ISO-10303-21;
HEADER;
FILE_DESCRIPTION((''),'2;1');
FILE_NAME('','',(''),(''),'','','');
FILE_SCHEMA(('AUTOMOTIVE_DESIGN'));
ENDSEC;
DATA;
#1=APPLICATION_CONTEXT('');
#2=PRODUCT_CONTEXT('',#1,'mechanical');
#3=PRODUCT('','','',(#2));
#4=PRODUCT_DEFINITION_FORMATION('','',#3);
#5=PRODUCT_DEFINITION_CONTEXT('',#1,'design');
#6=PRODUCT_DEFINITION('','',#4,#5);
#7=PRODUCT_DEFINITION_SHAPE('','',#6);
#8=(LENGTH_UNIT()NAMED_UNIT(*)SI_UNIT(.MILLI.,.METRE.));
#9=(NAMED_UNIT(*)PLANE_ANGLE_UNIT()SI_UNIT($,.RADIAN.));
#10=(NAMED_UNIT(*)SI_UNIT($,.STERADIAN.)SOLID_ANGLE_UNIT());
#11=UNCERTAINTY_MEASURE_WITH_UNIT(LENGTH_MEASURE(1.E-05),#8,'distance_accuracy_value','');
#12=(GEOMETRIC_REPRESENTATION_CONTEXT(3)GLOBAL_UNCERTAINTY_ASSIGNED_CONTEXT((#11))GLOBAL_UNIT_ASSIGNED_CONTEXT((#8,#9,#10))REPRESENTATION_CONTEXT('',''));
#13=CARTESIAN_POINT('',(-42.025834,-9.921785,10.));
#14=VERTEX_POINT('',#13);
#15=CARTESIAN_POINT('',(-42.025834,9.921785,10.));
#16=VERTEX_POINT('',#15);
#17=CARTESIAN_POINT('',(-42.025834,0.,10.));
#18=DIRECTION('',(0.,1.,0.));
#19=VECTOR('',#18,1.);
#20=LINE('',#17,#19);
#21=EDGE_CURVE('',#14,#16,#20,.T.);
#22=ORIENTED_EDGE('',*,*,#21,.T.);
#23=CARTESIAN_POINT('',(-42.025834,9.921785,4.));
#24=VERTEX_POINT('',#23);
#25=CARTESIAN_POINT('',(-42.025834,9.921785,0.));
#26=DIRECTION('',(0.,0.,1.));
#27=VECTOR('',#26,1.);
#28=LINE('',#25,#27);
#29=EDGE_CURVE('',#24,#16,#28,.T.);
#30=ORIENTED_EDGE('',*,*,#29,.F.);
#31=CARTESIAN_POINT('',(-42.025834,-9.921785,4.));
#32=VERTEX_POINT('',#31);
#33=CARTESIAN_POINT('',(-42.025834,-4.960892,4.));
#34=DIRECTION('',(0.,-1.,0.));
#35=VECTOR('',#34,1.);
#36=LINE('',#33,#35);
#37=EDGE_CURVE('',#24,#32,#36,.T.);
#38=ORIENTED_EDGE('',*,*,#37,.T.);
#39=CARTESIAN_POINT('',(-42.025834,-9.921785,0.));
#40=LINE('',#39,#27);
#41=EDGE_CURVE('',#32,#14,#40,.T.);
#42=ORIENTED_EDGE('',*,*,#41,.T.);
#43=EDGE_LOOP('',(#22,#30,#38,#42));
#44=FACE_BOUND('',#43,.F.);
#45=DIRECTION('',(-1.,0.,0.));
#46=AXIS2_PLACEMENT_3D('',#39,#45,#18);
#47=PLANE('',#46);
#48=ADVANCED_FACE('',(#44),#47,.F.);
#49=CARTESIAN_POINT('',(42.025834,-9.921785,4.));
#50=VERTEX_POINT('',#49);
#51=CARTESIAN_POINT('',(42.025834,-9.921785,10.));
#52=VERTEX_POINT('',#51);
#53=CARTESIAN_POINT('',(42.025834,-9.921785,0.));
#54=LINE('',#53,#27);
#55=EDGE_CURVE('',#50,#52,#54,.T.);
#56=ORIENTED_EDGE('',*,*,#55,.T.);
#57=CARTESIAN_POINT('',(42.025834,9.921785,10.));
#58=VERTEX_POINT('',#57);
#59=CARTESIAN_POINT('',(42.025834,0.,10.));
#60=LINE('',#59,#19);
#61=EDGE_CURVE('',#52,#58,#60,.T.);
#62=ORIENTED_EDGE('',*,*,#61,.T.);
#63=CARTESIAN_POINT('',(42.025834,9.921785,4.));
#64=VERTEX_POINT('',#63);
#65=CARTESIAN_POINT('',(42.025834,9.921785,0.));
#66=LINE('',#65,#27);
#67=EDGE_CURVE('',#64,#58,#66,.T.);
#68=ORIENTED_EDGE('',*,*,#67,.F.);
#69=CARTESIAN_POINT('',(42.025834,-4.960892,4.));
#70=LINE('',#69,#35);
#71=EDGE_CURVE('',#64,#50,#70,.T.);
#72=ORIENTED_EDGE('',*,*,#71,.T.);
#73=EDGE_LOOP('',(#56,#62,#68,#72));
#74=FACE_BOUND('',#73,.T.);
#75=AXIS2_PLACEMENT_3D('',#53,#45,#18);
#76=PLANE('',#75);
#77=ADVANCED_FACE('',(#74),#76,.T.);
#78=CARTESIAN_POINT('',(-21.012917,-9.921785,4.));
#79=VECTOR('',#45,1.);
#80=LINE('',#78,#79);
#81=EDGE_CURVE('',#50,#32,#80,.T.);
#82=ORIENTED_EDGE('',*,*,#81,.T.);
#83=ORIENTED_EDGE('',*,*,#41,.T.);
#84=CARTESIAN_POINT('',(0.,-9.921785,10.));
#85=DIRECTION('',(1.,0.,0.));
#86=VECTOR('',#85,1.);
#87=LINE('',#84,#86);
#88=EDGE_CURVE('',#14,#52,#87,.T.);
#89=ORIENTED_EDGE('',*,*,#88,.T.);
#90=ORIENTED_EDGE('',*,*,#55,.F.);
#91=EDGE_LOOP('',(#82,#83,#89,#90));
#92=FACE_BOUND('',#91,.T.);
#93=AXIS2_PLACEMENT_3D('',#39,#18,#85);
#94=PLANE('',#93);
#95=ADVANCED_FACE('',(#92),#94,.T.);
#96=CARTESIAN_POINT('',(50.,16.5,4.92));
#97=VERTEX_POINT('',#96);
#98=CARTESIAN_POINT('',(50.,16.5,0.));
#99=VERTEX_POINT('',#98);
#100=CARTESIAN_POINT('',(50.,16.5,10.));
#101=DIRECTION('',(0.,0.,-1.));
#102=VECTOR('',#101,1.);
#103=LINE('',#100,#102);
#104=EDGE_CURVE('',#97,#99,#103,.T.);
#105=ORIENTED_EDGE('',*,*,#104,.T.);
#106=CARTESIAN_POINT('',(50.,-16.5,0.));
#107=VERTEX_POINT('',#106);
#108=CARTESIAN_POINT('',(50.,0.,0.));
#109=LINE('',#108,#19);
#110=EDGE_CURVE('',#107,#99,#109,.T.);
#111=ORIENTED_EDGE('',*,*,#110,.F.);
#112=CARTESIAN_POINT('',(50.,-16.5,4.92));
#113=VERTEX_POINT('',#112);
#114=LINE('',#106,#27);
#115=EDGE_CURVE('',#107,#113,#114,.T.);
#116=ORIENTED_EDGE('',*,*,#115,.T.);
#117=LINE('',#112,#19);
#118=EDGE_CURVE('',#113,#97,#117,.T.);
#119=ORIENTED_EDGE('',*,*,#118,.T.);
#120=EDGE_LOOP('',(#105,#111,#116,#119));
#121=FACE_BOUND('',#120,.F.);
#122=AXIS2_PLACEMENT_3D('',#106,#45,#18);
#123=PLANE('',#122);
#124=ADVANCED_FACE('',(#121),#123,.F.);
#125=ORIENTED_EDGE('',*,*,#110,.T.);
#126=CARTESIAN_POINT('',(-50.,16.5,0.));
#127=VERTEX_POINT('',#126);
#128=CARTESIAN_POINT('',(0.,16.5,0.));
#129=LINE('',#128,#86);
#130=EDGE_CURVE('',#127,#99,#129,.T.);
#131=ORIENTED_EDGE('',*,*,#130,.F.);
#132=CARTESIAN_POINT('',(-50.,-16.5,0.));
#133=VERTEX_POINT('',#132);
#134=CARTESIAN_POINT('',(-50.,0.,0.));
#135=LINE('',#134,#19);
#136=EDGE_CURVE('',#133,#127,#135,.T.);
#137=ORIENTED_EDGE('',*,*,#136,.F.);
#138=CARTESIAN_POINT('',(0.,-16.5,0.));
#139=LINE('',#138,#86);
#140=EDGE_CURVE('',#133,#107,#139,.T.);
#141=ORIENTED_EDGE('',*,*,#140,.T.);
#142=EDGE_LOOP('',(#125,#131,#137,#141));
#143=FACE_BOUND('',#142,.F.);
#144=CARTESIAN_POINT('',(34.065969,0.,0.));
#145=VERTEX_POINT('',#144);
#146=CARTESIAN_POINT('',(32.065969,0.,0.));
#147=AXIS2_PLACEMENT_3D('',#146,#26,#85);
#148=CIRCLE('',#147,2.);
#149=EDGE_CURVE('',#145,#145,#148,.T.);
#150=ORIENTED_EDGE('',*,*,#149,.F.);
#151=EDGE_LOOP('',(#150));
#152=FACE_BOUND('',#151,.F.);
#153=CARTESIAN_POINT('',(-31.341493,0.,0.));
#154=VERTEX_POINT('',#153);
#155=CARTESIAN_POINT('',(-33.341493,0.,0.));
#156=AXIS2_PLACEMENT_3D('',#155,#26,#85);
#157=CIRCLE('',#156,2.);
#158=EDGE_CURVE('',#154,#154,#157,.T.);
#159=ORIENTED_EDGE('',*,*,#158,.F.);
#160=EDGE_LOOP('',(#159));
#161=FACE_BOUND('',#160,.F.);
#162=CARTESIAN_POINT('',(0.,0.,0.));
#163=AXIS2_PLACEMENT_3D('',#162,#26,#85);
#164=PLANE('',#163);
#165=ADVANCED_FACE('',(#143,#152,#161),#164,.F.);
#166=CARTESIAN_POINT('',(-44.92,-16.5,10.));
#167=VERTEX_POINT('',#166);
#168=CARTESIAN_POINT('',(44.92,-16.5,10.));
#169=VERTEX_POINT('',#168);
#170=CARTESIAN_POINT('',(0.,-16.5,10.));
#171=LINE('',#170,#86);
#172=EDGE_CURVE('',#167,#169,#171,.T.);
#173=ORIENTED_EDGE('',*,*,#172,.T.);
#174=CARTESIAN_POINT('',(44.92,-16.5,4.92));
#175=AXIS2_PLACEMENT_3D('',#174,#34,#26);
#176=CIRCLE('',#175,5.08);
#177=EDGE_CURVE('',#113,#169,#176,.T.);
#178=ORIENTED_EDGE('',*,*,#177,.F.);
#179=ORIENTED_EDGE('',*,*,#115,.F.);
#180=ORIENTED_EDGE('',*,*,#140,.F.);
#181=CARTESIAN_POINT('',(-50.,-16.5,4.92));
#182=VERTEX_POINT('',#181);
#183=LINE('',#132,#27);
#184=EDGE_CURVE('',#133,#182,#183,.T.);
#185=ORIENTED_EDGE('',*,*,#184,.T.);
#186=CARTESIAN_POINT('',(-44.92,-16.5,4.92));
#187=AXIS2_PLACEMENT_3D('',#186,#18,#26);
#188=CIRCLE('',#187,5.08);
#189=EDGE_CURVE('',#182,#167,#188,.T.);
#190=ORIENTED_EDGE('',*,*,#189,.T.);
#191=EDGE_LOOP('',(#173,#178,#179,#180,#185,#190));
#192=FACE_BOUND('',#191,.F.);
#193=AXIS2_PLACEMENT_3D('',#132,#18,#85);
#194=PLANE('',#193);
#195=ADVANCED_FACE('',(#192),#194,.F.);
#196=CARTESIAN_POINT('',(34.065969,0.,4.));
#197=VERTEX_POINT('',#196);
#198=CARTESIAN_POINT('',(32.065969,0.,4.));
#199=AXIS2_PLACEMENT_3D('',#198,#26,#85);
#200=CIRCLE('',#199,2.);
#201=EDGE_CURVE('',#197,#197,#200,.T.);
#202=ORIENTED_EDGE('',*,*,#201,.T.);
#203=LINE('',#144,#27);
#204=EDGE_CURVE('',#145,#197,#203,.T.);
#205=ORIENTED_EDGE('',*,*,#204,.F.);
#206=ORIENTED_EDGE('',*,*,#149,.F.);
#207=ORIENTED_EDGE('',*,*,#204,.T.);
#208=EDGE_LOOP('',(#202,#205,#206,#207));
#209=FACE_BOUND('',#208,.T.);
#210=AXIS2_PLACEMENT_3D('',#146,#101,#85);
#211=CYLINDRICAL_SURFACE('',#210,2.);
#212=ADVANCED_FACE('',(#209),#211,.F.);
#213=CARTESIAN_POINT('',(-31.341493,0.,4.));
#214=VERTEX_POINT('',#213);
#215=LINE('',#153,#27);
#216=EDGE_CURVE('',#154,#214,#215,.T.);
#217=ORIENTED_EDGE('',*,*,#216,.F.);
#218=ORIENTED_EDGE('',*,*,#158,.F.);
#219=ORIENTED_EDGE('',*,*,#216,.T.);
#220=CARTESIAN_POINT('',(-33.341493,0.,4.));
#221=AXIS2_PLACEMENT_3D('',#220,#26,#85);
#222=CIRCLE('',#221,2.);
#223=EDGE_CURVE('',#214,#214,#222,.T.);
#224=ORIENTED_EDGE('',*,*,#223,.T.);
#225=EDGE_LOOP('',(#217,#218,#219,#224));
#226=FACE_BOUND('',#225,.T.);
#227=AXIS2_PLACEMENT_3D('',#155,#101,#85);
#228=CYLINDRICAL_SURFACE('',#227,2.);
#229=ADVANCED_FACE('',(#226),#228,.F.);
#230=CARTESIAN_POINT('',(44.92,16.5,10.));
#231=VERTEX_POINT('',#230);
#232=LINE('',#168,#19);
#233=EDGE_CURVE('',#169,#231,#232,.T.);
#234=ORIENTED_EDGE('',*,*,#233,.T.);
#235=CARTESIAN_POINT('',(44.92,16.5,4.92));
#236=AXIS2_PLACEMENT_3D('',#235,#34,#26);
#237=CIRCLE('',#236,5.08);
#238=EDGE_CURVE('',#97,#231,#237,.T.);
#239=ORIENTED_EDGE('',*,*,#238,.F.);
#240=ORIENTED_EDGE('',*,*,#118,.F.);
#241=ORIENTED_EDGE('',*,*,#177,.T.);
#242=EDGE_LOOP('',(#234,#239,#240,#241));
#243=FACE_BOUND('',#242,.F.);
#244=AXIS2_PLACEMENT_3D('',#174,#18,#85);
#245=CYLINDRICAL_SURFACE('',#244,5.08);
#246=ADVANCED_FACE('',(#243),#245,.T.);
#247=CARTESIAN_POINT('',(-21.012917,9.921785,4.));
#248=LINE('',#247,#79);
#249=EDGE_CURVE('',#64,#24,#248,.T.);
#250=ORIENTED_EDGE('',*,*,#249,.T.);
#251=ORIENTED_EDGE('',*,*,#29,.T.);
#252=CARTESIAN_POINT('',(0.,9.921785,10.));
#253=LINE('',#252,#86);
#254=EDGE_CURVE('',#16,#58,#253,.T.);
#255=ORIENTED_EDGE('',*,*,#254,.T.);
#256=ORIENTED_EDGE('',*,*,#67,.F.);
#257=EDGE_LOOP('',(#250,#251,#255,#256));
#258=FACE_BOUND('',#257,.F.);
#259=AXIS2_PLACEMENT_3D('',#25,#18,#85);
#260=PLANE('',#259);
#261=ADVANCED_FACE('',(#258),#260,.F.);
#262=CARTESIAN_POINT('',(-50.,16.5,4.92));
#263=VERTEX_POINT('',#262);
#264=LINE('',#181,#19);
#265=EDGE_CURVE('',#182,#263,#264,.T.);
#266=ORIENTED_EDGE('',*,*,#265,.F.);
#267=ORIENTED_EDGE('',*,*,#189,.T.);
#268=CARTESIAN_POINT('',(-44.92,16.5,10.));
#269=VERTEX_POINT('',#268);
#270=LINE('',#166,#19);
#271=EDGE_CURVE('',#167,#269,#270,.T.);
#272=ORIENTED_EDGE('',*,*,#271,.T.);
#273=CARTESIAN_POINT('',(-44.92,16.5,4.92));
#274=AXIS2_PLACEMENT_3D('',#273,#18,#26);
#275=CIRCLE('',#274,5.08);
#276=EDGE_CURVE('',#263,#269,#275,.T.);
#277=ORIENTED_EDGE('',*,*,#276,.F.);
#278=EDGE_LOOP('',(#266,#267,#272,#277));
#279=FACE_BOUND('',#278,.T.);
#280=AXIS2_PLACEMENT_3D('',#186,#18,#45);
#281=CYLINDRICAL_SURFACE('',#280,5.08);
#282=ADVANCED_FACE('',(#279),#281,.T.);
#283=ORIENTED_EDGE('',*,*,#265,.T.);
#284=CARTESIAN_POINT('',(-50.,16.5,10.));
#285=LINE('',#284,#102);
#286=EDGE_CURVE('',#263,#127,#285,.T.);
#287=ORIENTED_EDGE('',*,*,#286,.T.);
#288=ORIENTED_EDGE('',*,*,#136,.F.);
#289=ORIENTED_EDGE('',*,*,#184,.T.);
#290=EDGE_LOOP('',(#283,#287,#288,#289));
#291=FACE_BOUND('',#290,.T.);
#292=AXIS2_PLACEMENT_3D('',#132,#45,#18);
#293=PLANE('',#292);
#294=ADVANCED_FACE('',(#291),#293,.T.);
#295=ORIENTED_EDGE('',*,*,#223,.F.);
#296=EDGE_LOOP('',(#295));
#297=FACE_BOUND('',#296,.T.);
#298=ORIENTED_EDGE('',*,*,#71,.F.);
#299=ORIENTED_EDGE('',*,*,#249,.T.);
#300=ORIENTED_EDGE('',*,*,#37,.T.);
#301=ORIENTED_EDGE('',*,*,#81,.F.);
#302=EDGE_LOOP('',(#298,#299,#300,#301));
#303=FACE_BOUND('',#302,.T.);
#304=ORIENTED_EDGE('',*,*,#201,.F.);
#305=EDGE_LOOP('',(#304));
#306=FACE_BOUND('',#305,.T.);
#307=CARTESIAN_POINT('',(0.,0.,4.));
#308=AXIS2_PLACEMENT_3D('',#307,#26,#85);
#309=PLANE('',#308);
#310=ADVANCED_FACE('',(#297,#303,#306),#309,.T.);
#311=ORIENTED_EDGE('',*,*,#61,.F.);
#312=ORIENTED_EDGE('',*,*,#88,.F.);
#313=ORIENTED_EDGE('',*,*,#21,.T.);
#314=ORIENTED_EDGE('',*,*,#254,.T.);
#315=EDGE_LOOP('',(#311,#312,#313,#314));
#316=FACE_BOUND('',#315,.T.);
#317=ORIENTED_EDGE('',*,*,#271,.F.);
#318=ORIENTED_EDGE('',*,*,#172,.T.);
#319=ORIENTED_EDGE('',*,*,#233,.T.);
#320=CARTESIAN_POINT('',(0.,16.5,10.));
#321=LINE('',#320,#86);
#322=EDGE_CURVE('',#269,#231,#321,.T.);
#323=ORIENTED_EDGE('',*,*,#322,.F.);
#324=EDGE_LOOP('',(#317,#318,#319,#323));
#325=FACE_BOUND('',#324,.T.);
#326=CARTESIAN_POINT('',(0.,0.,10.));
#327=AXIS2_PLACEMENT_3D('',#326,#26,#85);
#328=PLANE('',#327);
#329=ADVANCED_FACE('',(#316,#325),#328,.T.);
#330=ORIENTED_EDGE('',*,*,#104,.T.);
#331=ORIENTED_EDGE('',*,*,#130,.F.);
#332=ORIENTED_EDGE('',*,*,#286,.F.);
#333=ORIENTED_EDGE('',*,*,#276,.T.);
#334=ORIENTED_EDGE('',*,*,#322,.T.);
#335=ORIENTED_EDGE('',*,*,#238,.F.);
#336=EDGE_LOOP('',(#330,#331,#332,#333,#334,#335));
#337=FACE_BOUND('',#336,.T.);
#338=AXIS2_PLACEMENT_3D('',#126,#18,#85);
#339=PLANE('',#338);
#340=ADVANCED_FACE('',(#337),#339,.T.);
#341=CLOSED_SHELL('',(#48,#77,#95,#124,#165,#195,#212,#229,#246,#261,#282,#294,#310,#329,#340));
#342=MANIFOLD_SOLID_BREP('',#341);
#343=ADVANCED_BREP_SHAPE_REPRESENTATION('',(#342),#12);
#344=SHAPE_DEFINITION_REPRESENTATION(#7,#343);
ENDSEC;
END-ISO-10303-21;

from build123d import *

# Parameters (mm, degrees)
F0_W     = 100
F0_H     = 33
F0_W_2   = 84.051668
F0_H_2   = 19.84357
F0_R     = 2
F1_DEPTH = 4
F2_DEPTH = 10
F3_R     = 5.08


with BuildPart() as f1:
    # F0 (on Top) → F1 (new body)
    with BuildSketch(Plane.XY):
        Rectangle(F0_W, F0_H)
        Rectangle(F0_W_2, F0_H_2, mode=Mode.SUBTRACT)
        Rectangle(F0_W_2, F0_H_2)
        with Locations((-33.341493, 0)):
            Circle(F0_R, mode=Mode.SUBTRACT)
        with Locations((32.065969, 0)):
            Circle(F0_R, mode=Mode.SUBTRACT)
    extrude(amount=F1_DEPTH)

    # F0 (on Top) → F2 (join)
    with BuildSketch(Plane.XY):
        Rectangle(F0_W, F0_H)
        Rectangle(F0_W_2, F0_H_2, mode=Mode.SUBTRACT)
    extrude(amount=F2_DEPTH)

    # F3
    f3_edges = [f1.edges().sort_by_distance(p)[0] for p in [
        (-50, 0, 10),
        (50, 0, 10),
    ]]
    fillet(f3_edges, radius=F3_R)


solid = f1.part
